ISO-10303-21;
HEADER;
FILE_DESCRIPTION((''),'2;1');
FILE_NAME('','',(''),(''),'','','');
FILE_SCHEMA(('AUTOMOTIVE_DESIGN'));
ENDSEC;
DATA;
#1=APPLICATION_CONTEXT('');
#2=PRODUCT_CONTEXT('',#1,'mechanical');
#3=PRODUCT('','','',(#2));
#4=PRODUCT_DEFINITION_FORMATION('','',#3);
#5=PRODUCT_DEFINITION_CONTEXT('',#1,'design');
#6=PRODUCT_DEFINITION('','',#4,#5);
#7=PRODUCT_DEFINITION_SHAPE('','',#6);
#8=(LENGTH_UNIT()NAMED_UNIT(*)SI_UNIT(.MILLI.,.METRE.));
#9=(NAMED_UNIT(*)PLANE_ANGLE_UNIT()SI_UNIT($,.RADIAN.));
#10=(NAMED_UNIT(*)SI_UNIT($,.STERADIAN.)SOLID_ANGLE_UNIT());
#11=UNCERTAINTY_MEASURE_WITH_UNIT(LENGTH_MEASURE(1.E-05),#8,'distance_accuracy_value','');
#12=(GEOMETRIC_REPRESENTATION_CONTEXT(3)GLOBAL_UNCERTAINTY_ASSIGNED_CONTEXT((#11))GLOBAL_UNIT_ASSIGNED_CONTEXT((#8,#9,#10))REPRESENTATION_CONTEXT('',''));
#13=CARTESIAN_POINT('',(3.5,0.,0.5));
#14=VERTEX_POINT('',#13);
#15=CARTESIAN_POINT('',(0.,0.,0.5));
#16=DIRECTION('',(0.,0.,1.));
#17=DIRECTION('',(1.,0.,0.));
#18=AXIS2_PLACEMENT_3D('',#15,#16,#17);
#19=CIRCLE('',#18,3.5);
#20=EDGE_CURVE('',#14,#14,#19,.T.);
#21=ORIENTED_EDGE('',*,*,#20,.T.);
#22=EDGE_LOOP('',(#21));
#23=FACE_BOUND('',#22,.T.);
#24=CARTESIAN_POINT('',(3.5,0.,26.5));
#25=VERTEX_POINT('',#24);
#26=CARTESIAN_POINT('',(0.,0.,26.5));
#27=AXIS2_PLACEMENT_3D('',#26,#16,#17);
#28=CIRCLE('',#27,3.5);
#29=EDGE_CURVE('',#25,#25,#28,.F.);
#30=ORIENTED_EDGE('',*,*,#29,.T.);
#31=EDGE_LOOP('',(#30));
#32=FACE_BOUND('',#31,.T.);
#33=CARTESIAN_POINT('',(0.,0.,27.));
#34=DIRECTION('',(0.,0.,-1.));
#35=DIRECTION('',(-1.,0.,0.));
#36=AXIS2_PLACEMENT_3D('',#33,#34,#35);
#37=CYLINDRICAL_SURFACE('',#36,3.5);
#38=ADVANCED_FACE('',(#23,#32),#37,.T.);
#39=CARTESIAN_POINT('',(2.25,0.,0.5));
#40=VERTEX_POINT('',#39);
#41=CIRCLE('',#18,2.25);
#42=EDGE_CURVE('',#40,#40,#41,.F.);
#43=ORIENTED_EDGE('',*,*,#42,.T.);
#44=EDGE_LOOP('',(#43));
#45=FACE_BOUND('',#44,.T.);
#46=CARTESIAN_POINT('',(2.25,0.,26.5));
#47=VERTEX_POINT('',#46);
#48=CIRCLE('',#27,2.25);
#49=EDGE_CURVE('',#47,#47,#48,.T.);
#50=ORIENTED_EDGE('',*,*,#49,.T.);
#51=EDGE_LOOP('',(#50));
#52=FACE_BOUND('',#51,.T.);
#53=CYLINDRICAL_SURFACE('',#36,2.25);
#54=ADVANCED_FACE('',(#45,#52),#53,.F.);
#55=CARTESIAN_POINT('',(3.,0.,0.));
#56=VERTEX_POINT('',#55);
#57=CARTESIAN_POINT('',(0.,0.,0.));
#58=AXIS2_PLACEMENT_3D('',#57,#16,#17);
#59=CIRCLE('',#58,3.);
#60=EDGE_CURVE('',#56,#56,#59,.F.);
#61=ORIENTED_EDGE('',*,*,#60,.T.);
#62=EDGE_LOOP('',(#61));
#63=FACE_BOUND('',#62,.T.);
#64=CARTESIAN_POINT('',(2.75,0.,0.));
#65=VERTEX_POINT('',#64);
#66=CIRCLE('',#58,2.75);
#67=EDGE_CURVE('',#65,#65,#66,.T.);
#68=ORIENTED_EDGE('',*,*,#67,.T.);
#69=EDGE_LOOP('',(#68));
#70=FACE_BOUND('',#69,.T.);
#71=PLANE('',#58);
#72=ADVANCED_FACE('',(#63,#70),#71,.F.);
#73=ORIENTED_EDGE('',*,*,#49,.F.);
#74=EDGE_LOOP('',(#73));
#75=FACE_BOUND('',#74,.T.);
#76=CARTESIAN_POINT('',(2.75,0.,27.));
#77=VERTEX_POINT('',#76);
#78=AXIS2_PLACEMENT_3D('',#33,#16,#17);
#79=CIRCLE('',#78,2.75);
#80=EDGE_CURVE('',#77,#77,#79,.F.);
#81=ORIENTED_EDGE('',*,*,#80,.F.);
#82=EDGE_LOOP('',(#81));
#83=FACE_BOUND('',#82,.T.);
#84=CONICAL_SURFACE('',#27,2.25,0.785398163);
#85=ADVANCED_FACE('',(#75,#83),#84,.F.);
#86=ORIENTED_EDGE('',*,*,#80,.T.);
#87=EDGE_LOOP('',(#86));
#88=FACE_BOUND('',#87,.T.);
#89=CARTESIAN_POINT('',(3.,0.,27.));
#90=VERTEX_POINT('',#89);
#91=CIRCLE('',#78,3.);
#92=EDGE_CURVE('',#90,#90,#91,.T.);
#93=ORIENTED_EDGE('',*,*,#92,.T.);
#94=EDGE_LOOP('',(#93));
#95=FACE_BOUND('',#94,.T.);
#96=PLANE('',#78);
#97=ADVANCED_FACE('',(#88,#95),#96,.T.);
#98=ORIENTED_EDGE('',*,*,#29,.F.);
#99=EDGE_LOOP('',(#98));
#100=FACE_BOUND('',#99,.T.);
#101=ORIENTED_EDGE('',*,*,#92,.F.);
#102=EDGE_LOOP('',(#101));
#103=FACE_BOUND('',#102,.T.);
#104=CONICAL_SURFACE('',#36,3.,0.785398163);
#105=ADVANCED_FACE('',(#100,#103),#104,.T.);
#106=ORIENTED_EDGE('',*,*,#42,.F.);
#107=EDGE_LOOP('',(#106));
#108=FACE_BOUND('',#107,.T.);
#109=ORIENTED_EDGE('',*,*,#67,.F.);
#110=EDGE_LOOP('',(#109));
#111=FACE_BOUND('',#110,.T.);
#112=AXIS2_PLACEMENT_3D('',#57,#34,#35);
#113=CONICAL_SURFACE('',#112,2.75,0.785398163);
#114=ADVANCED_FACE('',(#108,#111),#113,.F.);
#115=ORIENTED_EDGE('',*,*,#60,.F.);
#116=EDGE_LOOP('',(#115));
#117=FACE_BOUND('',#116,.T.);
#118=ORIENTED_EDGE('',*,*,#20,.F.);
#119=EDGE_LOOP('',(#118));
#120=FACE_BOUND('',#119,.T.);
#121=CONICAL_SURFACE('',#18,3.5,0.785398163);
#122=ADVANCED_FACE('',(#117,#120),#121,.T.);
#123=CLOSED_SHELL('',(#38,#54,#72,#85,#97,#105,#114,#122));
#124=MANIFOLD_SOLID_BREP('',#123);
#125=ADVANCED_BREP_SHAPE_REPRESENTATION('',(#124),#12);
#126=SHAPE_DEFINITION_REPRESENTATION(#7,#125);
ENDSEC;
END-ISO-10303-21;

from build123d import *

# Parameters (mm, degrees)
ESQUISSE1_R        = 3.5
ESQUISSE1_R_2      = 2.25
BOSS_EXTRU_1_DEPTH = 27
CHANFREIN2_SIZE    = 0.5
CHANFREIN3_SIZE    = 0.5


with BuildPart() as part:
    # Esquisse1 → Boss.-Extru.1 (new body)
    with BuildSketch(Plane.XY):
        Circle(ESQUISSE1_R)
        Circle(ESQUISSE1_R_2, mode=Mode.SUBTRACT)
    extrude(amount=BOSS_EXTRU_1_DEPTH)

    # Chanfrein2
    chanfrein2_edges = [part.edges().sort_by_distance(p)[0] for p in [
        (-3.5, 0, 0),
        (-2.25, 0, 0),
    ]]
    chamfer(chanfrein2_edges, length=CHANFREIN2_SIZE)

    # Chanfrein3
    chanfrein3_edges = [part.edges().sort_by_distance(p)[0] for p in [
        (-3.5, 0, 27),
        (-2.25, 0, 27),
    ]]
    chamfer(chanfrein3_edges, length=CHANFREIN3_SIZE)


solid = part.part
